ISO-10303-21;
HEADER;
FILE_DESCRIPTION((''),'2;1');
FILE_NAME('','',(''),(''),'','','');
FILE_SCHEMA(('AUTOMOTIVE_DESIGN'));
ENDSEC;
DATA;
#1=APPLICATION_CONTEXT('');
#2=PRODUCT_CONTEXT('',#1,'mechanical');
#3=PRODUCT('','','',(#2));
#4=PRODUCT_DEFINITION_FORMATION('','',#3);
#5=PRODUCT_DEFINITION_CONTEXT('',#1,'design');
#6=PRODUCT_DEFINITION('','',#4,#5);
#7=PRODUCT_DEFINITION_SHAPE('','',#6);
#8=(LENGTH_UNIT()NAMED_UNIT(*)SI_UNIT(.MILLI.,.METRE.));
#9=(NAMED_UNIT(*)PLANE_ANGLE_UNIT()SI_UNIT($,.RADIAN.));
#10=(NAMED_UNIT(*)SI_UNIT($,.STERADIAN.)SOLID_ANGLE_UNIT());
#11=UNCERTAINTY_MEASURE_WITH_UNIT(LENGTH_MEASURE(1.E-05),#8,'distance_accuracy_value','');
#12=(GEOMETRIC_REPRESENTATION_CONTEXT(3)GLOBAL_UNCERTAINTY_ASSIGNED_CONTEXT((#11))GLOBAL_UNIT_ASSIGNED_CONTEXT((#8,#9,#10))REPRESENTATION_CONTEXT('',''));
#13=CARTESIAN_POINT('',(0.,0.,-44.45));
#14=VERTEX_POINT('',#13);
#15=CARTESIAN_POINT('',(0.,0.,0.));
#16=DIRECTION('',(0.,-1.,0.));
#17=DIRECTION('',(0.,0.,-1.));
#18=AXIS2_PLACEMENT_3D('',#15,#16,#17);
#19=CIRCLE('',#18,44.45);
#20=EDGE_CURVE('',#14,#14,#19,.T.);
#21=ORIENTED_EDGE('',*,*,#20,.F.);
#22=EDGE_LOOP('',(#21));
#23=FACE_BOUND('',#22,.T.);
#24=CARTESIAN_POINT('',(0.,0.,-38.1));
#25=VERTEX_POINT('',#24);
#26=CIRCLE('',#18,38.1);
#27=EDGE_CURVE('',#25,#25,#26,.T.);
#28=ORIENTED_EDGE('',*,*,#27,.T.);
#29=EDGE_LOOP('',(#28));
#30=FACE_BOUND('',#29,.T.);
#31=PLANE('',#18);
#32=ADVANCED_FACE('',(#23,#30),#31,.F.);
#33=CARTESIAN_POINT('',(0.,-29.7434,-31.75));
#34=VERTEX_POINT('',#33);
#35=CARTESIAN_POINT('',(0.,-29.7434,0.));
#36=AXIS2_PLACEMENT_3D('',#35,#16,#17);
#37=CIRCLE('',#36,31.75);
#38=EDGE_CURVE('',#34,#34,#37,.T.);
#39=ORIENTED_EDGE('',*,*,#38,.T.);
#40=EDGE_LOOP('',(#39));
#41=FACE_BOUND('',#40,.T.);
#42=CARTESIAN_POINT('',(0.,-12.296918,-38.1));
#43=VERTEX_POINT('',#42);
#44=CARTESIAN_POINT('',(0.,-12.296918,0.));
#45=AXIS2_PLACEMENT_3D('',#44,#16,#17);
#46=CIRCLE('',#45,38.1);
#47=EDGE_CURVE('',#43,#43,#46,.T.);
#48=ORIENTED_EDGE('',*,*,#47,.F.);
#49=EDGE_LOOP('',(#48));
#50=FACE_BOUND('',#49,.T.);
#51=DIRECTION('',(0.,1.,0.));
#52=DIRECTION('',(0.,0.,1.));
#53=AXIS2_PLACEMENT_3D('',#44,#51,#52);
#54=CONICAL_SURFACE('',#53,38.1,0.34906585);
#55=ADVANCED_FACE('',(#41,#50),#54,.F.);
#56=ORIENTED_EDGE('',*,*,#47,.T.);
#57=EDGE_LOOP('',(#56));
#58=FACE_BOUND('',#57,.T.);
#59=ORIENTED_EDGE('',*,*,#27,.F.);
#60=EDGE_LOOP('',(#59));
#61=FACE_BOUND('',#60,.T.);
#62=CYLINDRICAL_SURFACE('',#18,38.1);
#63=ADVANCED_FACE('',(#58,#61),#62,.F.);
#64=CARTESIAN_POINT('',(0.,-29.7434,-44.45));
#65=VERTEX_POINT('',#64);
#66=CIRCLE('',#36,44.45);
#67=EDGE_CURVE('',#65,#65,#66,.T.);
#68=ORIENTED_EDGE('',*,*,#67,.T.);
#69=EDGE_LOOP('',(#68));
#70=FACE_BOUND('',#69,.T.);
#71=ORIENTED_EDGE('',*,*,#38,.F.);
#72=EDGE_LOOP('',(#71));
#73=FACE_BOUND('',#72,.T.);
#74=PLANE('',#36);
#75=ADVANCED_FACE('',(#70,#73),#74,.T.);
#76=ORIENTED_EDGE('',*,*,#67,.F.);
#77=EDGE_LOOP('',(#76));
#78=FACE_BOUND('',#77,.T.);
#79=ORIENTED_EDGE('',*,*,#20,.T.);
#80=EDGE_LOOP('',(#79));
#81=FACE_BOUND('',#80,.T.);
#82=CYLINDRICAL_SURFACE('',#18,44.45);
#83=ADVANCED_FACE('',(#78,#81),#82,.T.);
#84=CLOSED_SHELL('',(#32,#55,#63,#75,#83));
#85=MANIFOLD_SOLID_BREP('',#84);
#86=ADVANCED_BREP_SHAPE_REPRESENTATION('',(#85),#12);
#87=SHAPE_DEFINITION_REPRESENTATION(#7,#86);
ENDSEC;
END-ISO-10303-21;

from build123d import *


with BuildPart() as part:
    # Sketch1 → Revolve1 (revolve)
    with BuildSketch(Plane.XY):
        Polygon((-38.1, 0), (-38.1, -12.296918386), (-31.75, -29.7434), (-44.45, -29.7434), (-44.45, 0), align=None)
    revolve(axis=Axis((0, 0, 0), (0, 1, 0)))


solid = part.part
